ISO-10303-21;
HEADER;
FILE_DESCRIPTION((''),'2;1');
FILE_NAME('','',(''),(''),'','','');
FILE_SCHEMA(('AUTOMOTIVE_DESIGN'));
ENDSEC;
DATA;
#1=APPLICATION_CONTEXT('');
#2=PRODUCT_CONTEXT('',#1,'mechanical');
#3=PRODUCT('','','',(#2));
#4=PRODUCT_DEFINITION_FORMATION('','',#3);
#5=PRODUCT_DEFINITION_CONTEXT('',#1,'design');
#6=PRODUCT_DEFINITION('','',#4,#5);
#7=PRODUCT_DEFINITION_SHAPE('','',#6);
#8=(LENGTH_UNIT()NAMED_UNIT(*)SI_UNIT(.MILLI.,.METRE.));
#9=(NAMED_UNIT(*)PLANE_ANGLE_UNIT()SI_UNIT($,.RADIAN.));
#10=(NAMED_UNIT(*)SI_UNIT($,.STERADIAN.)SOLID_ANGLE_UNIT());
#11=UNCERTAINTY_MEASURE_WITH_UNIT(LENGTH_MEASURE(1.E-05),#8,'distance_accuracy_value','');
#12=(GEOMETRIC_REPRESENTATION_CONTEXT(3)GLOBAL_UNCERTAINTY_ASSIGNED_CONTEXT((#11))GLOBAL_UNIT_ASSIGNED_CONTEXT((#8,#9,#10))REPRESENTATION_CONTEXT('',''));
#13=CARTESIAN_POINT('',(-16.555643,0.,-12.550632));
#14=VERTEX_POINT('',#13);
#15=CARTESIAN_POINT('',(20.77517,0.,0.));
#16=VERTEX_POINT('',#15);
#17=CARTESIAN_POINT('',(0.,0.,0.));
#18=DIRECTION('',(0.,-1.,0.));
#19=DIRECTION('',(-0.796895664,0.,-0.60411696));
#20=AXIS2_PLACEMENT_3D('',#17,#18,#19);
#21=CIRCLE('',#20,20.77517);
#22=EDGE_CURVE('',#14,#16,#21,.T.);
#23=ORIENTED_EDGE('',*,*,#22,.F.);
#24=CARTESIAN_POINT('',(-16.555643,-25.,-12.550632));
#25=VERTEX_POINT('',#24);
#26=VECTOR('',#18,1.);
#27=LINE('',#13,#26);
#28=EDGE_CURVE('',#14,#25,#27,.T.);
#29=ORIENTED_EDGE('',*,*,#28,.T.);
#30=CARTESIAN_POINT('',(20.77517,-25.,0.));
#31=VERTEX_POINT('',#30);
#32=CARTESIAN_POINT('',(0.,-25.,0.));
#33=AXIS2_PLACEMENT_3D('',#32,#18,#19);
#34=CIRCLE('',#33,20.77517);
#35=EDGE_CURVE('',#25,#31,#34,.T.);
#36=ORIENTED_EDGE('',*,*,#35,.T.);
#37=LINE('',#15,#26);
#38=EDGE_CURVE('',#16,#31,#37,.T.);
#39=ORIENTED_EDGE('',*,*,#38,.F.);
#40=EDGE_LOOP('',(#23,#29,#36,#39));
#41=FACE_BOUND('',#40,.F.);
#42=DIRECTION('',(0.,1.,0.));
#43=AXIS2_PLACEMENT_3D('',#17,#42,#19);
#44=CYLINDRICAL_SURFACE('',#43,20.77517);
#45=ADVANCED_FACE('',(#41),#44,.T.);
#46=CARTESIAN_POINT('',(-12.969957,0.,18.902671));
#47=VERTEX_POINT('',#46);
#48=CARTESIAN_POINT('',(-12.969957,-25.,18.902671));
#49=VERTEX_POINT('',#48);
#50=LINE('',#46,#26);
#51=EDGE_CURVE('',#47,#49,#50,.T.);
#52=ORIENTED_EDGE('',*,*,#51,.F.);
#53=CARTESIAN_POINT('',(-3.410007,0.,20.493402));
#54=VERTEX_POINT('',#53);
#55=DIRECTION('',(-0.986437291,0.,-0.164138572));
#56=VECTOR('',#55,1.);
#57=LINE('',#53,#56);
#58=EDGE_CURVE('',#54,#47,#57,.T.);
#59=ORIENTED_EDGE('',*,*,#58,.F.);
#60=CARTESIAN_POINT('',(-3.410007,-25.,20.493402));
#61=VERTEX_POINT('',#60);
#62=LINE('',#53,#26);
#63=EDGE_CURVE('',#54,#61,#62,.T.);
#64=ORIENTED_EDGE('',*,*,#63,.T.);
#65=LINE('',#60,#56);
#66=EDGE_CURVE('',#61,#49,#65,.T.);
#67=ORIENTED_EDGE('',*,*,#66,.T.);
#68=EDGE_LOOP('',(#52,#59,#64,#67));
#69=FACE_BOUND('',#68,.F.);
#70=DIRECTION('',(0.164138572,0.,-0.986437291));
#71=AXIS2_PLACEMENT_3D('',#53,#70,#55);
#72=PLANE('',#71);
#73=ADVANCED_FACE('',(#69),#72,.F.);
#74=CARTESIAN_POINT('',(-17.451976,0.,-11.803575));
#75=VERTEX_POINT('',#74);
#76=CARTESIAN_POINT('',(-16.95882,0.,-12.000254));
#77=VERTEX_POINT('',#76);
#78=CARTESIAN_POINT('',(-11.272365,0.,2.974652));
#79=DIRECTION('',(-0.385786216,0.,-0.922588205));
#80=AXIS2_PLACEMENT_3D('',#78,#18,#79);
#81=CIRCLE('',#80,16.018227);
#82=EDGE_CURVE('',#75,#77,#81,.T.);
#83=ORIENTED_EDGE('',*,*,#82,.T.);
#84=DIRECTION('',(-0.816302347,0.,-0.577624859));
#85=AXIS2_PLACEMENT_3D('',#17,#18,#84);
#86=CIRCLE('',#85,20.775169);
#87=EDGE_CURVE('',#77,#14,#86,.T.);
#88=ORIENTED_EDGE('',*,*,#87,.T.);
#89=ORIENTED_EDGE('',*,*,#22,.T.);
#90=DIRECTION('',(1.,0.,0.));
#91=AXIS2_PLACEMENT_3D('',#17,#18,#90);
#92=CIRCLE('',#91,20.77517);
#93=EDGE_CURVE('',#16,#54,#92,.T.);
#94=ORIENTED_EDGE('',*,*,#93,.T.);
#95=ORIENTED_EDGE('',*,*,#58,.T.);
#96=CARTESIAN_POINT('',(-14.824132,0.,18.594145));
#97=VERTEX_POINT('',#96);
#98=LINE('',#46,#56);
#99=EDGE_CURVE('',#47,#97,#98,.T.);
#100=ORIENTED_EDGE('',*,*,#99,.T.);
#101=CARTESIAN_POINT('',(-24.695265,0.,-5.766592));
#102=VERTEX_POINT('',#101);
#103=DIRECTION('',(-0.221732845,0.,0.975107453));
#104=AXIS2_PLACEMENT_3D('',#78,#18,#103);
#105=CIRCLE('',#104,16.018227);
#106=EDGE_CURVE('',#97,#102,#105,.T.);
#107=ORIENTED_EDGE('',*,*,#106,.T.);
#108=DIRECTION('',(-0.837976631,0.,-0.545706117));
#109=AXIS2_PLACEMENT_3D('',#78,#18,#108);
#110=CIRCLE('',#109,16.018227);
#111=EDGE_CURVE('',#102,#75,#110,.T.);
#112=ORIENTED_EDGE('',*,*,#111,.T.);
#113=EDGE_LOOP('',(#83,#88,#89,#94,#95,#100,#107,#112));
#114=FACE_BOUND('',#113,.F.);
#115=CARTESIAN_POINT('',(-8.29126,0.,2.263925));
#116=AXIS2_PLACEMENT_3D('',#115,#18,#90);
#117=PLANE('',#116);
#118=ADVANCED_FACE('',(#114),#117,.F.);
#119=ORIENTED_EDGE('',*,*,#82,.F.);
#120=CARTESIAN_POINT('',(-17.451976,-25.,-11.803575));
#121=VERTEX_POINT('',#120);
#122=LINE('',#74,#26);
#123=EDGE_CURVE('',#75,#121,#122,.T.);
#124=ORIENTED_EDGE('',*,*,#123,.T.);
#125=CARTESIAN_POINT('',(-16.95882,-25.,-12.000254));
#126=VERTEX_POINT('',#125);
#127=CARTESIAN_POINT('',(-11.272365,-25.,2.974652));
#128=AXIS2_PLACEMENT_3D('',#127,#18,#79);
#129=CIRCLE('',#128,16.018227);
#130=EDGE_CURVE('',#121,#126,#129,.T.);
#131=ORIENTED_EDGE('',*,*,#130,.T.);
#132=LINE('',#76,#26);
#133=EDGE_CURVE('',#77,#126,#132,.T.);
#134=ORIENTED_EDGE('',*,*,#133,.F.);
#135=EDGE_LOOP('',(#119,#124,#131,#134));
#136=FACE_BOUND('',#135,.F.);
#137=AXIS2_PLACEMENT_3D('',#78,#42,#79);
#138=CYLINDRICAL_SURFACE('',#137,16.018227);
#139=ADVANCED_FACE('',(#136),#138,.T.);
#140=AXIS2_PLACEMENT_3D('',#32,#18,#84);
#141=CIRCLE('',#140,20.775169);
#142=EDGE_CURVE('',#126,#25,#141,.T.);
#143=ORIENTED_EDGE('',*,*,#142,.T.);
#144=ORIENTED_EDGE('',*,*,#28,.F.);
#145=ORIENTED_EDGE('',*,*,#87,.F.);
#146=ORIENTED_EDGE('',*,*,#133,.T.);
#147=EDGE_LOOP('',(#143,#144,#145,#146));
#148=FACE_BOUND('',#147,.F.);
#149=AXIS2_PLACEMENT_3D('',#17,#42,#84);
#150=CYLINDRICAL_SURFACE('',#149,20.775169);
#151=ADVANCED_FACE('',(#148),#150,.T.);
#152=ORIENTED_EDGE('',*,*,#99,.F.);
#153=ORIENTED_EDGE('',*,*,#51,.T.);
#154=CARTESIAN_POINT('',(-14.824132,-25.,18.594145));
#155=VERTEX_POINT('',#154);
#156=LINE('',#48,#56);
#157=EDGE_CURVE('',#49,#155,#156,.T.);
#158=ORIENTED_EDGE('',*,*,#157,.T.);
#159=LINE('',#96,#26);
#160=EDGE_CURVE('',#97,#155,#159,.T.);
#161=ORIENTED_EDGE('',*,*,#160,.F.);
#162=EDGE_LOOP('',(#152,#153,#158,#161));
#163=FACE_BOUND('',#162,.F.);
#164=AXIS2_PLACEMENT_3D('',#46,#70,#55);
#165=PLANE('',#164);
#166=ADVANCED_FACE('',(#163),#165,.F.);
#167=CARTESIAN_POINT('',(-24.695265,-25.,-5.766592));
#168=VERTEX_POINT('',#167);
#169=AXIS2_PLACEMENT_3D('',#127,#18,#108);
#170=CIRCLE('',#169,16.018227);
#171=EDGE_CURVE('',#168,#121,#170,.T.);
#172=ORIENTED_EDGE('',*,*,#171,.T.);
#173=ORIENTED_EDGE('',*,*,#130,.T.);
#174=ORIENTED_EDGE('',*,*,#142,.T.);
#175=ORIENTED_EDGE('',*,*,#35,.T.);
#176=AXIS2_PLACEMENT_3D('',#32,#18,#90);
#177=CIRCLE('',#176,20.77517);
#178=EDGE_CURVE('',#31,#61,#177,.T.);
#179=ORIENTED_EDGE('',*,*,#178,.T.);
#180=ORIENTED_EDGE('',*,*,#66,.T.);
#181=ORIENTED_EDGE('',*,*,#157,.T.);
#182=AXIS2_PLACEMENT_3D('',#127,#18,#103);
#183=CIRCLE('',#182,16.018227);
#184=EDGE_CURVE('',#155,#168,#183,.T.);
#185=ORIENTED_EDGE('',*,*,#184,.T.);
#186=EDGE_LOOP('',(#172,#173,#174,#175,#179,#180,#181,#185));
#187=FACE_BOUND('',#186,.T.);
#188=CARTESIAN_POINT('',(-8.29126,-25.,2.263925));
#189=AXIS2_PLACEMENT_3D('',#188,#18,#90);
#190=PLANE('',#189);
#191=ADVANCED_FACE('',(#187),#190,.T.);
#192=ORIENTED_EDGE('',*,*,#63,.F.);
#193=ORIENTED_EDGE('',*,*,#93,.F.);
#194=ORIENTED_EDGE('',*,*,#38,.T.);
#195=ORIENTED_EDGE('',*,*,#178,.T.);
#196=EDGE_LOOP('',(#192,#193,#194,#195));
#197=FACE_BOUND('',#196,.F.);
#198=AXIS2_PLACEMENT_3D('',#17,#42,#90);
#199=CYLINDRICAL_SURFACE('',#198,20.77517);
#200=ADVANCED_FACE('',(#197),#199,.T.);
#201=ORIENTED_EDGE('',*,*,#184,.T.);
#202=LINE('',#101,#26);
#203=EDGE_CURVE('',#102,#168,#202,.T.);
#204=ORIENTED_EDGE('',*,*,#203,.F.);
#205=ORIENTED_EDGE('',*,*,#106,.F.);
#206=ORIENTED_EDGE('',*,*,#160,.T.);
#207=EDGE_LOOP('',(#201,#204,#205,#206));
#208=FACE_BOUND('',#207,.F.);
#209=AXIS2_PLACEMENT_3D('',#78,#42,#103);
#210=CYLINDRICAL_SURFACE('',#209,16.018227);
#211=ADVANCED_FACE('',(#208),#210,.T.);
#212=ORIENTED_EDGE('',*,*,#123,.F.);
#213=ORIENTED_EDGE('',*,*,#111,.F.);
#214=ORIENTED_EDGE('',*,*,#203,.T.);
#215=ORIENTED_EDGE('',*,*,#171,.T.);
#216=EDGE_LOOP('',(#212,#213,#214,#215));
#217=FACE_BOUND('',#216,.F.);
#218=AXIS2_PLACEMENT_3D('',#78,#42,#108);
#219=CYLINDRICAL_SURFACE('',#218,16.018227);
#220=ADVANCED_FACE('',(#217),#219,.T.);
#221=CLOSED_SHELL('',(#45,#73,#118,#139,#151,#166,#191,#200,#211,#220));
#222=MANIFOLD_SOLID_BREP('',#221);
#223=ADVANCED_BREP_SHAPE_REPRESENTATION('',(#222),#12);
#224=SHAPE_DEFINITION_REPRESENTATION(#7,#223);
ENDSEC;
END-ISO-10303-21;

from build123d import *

# Parameters (mm, degrees)
F1_DEPTH = 25


with BuildPart() as f1:
    # F0 (on Front) → F1 (new body)
    with BuildSketch(Plane.XZ):
        with BuildLine():
            ThreePointArc((-8.8295196456, 18.8055112927), (-20.0875188116, 5.3008735268), (-16.9588197094, -12.000254423))
            ThreePointArc((-16.9588197094, -12.000254423), (-2.1757538998, -10.2100076504), (4.7458616886, 2.9746522196))
            ThreePointArc((4.7458616886, 2.9746522196), (0.8872739198, 13.4018651425), (-8.8295196456, 18.8055112927))
        make_face()
        with BuildLine():
            Line((-16.5556425715, -12.5506323027), (-9.3621872848, -18.5460810253))
            ThreePointArc((-9.3621872848, -18.5460810253), (10.8882194005, -17.6933419805), (20.7751696059, 0))
            ThreePointArc((20.7751696059, 0), (13.4306404976, 15.8500967813), (-3.4100065197, 20.4934020526))
            ThreePointArc((-3.4100065197, 20.4934020526), (-6.1776811177, 19.8354210482), (-8.8295196456, 18.8055112927))
            ThreePointArc((-8.8295196456, 18.8055112927), (0.8872739198, 13.4018651425), (4.7458616886, 2.9746522196))
            ThreePointArc((4.7458616886, 2.9746522196), (-2.1757538998, -10.2100076504), (-16.9588197094, -12.000254423))
            ThreePointArc((-16.9588197094, -12.000254423), (-16.7594905784, -12.2770985052), (-16.5556425715, -12.5506323027))
        make_face()
        with BuildLine():
            ThreePointArc((-8.8295196456, 18.8055112927), (-6.1776811177, 19.8354210482), (-3.4100065197, 20.4934020526))
            Line((-3.4100065197, 20.4934020526), (-12.9699571499, 18.9026707779))
            ThreePointArc((-12.9699571499, 18.9026707779), (-10.8965850449, 18.9884707144), (-8.8295196456, 18.8055112927))
        make_face()
        with BuildLine():
            ThreePointArc((-24.6952650499, -5.7665921932), (-21.5278954125, -9.3301311655), (-17.45197637, -11.8035749967))
            Line((-17.45197637, -11.8035749967), (-24.6952650499, -5.7665921932))
        make_face()
        with BuildLine():
            ThreePointArc((-17.45197637, -11.8035749967), (-17.2062129716, -11.9039580811), (-16.9588197094, -12.000254423))
            ThreePointArc((-16.9588197094, -12.000254423), (-20.0875188116, 5.3008735268), (-8.8295196456, 18.8055112927))
            ThreePointArc((-8.8295196456, 18.8055112927), (-10.8965850449, 18.9884707144), (-12.9699571499, 18.9026707779))
            Line((-12.9699571499, 18.9026707779), (-14.8241322551, 18.5941446733))
            ThreePointArc((-14.8241322551, 18.5941446733), (-26.1181122223, 8.9902477588), (-24.6952650499, -5.7665921932))
            Line((-24.6952650499, -5.7665921932), (-17.45197637, -11.8035749967))
        make_face()
        with BuildLine():
            ThreePointArc((-16.5556425715, -12.5506323027), (-13.3011212859, -15.9589424678), (-9.3621872848, -18.5460810253))
            Line((-9.3621872848, -18.5460810253), (-16.5556425715, -12.5506323027))
        make_face()
    extrude(amount=F1_DEPTH)


solid = f1.part
